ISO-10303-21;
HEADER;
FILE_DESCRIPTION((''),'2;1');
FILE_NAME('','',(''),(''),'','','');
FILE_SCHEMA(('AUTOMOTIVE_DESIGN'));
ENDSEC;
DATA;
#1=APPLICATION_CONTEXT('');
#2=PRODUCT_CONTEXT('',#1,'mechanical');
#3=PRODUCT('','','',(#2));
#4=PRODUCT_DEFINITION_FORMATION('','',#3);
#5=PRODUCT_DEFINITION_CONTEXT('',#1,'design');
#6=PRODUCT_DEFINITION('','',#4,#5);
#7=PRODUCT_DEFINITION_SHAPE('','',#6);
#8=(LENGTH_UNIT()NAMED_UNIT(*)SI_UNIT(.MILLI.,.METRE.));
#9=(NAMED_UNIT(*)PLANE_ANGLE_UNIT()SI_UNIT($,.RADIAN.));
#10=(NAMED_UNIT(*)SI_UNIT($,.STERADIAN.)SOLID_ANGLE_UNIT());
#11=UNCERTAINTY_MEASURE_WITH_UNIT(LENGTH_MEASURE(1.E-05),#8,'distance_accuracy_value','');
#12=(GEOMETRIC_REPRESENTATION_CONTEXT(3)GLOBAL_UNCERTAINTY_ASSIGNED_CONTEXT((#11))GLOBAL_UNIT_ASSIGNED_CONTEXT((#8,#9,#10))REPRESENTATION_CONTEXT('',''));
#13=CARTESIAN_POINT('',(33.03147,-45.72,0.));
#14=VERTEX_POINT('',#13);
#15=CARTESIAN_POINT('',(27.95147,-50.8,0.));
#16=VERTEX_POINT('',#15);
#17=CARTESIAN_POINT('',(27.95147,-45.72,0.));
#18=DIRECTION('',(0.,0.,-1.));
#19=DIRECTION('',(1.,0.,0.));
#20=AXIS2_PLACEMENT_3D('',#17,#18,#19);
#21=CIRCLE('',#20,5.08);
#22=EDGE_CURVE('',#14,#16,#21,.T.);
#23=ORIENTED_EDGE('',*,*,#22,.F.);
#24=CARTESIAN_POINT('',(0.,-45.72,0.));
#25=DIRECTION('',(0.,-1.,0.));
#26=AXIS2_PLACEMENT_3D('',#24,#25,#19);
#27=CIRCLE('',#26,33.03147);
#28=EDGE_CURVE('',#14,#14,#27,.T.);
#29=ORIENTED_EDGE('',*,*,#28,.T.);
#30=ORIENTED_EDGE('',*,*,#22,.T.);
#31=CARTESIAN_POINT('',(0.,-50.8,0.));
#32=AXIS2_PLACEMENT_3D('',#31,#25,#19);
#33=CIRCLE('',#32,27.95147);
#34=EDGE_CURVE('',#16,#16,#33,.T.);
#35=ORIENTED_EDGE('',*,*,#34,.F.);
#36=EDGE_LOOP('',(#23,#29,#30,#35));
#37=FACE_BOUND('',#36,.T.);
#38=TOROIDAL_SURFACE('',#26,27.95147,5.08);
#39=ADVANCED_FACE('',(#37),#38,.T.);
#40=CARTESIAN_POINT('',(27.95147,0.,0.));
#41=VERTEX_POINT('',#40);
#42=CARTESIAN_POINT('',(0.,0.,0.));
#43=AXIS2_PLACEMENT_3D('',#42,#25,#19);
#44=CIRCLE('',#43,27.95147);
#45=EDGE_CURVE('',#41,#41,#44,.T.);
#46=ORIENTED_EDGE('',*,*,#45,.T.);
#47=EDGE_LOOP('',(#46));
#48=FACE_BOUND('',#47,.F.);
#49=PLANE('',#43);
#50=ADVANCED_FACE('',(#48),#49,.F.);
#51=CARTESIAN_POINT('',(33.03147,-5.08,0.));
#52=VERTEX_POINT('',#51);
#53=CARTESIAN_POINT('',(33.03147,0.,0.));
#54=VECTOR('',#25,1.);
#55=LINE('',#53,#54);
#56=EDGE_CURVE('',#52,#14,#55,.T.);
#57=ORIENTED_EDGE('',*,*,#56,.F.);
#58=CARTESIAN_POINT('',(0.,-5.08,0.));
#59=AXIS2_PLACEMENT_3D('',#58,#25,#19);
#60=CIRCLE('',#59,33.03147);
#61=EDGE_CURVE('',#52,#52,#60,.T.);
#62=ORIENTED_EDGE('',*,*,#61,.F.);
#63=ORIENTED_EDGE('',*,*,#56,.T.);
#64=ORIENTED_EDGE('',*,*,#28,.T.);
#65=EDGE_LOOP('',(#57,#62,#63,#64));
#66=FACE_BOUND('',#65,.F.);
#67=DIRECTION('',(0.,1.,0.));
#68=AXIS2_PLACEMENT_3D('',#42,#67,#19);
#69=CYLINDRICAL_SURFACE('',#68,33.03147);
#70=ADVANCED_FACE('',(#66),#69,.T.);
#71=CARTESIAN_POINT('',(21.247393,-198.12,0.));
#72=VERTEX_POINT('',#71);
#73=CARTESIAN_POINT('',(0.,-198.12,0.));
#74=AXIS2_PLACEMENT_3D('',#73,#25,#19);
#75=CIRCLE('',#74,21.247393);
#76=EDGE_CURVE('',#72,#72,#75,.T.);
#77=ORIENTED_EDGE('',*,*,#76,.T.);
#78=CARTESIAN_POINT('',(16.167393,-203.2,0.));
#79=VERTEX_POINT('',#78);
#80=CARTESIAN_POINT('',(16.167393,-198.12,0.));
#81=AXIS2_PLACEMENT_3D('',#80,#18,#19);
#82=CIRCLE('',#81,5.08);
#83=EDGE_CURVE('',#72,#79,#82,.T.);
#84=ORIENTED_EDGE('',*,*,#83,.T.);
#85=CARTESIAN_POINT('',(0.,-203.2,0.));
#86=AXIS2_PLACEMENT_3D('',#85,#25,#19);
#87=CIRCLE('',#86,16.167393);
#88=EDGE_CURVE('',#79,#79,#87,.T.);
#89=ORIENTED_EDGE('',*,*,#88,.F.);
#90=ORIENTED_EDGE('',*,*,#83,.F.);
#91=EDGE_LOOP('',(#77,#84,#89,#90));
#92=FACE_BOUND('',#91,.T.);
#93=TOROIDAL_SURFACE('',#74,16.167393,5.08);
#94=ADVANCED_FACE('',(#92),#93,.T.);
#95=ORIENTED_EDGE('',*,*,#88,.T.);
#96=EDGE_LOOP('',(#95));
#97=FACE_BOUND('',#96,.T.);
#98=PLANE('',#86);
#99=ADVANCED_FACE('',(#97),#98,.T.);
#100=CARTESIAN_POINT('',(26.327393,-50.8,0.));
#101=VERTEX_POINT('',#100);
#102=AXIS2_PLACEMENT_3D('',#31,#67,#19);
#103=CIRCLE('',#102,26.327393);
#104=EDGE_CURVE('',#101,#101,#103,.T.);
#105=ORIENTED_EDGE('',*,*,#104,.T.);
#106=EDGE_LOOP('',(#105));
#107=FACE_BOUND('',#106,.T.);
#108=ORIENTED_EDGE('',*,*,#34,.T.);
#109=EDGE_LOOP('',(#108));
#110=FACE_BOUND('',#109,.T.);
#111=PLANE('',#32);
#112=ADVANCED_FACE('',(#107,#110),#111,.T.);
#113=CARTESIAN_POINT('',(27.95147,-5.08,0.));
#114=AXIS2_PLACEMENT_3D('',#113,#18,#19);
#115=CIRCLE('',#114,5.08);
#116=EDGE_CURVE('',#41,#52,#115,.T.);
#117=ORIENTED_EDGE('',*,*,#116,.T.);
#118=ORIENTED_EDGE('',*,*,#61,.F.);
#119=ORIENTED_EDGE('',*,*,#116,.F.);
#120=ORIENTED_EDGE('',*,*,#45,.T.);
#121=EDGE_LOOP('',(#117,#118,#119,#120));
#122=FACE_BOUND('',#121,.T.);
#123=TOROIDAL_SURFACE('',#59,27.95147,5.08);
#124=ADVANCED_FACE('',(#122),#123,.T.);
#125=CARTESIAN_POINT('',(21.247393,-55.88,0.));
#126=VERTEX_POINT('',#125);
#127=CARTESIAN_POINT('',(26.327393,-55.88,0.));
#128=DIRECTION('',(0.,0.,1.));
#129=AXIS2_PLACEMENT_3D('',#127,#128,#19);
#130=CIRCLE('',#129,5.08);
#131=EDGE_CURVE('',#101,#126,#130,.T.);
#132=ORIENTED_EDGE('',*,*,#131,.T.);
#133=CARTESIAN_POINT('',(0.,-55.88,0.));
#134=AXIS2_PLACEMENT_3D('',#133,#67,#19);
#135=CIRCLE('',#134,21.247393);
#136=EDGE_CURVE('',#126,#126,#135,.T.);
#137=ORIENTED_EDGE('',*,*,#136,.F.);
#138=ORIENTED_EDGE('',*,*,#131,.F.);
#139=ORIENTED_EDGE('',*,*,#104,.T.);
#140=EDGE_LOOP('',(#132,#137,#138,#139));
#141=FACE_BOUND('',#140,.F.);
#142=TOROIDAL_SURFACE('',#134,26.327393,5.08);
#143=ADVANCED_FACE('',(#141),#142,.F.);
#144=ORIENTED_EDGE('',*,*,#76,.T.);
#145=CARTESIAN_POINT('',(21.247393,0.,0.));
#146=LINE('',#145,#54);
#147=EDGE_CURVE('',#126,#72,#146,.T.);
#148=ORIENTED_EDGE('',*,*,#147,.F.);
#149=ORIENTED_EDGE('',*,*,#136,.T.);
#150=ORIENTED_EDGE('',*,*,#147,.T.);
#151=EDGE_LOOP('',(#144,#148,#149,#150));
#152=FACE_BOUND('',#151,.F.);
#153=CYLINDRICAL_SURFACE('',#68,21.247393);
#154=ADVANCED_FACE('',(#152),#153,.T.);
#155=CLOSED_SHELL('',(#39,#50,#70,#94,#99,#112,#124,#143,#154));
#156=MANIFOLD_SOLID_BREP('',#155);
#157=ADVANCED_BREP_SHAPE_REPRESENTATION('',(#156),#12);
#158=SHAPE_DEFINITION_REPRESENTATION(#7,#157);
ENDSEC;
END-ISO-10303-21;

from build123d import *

# Parameters (mm, degrees)
F0_R     = 33.03147
F1_DEPTH = 50.8
F2_R     = 21.247393
F3_DEPTH = 203.2
F4_R     = 5.08
F5_R     = 5.08
F6_R     = 5.08


with BuildPart() as f1:
    # F0 (on Front) → F1 (new body)
    with BuildSketch(Plane.XZ):
        Circle(F0_R)
    extrude(amount=F1_DEPTH)

    # F2 (on Front) → F3 (join)
    with BuildSketch(Plane.XZ):
        Circle(F2_R)
    extrude(amount=F3_DEPTH)

    # F4
    f4_edges = [f1.edges().sort_by_distance(p)[0] for p in [
        (-33.03147, 0, 0),
    ]]
    fillet(f4_edges, radius=F4_R)

    # F5
    f5_edges = [f1.edges().sort_by_distance(p)[0] for p in [
        (-33.03147, -50.8, 0),
    ]]
    fillet(f5_edges, radius=F5_R)

    # F6
    f6_edges = [f1.edges().sort_by_distance(p)[0] for p in [
        (-21.247393, -50.8, 0),
        (-21.247393, -203.2, 0),
    ]]
    fillet(f6_edges, radius=F6_R)


solid = f1.part
